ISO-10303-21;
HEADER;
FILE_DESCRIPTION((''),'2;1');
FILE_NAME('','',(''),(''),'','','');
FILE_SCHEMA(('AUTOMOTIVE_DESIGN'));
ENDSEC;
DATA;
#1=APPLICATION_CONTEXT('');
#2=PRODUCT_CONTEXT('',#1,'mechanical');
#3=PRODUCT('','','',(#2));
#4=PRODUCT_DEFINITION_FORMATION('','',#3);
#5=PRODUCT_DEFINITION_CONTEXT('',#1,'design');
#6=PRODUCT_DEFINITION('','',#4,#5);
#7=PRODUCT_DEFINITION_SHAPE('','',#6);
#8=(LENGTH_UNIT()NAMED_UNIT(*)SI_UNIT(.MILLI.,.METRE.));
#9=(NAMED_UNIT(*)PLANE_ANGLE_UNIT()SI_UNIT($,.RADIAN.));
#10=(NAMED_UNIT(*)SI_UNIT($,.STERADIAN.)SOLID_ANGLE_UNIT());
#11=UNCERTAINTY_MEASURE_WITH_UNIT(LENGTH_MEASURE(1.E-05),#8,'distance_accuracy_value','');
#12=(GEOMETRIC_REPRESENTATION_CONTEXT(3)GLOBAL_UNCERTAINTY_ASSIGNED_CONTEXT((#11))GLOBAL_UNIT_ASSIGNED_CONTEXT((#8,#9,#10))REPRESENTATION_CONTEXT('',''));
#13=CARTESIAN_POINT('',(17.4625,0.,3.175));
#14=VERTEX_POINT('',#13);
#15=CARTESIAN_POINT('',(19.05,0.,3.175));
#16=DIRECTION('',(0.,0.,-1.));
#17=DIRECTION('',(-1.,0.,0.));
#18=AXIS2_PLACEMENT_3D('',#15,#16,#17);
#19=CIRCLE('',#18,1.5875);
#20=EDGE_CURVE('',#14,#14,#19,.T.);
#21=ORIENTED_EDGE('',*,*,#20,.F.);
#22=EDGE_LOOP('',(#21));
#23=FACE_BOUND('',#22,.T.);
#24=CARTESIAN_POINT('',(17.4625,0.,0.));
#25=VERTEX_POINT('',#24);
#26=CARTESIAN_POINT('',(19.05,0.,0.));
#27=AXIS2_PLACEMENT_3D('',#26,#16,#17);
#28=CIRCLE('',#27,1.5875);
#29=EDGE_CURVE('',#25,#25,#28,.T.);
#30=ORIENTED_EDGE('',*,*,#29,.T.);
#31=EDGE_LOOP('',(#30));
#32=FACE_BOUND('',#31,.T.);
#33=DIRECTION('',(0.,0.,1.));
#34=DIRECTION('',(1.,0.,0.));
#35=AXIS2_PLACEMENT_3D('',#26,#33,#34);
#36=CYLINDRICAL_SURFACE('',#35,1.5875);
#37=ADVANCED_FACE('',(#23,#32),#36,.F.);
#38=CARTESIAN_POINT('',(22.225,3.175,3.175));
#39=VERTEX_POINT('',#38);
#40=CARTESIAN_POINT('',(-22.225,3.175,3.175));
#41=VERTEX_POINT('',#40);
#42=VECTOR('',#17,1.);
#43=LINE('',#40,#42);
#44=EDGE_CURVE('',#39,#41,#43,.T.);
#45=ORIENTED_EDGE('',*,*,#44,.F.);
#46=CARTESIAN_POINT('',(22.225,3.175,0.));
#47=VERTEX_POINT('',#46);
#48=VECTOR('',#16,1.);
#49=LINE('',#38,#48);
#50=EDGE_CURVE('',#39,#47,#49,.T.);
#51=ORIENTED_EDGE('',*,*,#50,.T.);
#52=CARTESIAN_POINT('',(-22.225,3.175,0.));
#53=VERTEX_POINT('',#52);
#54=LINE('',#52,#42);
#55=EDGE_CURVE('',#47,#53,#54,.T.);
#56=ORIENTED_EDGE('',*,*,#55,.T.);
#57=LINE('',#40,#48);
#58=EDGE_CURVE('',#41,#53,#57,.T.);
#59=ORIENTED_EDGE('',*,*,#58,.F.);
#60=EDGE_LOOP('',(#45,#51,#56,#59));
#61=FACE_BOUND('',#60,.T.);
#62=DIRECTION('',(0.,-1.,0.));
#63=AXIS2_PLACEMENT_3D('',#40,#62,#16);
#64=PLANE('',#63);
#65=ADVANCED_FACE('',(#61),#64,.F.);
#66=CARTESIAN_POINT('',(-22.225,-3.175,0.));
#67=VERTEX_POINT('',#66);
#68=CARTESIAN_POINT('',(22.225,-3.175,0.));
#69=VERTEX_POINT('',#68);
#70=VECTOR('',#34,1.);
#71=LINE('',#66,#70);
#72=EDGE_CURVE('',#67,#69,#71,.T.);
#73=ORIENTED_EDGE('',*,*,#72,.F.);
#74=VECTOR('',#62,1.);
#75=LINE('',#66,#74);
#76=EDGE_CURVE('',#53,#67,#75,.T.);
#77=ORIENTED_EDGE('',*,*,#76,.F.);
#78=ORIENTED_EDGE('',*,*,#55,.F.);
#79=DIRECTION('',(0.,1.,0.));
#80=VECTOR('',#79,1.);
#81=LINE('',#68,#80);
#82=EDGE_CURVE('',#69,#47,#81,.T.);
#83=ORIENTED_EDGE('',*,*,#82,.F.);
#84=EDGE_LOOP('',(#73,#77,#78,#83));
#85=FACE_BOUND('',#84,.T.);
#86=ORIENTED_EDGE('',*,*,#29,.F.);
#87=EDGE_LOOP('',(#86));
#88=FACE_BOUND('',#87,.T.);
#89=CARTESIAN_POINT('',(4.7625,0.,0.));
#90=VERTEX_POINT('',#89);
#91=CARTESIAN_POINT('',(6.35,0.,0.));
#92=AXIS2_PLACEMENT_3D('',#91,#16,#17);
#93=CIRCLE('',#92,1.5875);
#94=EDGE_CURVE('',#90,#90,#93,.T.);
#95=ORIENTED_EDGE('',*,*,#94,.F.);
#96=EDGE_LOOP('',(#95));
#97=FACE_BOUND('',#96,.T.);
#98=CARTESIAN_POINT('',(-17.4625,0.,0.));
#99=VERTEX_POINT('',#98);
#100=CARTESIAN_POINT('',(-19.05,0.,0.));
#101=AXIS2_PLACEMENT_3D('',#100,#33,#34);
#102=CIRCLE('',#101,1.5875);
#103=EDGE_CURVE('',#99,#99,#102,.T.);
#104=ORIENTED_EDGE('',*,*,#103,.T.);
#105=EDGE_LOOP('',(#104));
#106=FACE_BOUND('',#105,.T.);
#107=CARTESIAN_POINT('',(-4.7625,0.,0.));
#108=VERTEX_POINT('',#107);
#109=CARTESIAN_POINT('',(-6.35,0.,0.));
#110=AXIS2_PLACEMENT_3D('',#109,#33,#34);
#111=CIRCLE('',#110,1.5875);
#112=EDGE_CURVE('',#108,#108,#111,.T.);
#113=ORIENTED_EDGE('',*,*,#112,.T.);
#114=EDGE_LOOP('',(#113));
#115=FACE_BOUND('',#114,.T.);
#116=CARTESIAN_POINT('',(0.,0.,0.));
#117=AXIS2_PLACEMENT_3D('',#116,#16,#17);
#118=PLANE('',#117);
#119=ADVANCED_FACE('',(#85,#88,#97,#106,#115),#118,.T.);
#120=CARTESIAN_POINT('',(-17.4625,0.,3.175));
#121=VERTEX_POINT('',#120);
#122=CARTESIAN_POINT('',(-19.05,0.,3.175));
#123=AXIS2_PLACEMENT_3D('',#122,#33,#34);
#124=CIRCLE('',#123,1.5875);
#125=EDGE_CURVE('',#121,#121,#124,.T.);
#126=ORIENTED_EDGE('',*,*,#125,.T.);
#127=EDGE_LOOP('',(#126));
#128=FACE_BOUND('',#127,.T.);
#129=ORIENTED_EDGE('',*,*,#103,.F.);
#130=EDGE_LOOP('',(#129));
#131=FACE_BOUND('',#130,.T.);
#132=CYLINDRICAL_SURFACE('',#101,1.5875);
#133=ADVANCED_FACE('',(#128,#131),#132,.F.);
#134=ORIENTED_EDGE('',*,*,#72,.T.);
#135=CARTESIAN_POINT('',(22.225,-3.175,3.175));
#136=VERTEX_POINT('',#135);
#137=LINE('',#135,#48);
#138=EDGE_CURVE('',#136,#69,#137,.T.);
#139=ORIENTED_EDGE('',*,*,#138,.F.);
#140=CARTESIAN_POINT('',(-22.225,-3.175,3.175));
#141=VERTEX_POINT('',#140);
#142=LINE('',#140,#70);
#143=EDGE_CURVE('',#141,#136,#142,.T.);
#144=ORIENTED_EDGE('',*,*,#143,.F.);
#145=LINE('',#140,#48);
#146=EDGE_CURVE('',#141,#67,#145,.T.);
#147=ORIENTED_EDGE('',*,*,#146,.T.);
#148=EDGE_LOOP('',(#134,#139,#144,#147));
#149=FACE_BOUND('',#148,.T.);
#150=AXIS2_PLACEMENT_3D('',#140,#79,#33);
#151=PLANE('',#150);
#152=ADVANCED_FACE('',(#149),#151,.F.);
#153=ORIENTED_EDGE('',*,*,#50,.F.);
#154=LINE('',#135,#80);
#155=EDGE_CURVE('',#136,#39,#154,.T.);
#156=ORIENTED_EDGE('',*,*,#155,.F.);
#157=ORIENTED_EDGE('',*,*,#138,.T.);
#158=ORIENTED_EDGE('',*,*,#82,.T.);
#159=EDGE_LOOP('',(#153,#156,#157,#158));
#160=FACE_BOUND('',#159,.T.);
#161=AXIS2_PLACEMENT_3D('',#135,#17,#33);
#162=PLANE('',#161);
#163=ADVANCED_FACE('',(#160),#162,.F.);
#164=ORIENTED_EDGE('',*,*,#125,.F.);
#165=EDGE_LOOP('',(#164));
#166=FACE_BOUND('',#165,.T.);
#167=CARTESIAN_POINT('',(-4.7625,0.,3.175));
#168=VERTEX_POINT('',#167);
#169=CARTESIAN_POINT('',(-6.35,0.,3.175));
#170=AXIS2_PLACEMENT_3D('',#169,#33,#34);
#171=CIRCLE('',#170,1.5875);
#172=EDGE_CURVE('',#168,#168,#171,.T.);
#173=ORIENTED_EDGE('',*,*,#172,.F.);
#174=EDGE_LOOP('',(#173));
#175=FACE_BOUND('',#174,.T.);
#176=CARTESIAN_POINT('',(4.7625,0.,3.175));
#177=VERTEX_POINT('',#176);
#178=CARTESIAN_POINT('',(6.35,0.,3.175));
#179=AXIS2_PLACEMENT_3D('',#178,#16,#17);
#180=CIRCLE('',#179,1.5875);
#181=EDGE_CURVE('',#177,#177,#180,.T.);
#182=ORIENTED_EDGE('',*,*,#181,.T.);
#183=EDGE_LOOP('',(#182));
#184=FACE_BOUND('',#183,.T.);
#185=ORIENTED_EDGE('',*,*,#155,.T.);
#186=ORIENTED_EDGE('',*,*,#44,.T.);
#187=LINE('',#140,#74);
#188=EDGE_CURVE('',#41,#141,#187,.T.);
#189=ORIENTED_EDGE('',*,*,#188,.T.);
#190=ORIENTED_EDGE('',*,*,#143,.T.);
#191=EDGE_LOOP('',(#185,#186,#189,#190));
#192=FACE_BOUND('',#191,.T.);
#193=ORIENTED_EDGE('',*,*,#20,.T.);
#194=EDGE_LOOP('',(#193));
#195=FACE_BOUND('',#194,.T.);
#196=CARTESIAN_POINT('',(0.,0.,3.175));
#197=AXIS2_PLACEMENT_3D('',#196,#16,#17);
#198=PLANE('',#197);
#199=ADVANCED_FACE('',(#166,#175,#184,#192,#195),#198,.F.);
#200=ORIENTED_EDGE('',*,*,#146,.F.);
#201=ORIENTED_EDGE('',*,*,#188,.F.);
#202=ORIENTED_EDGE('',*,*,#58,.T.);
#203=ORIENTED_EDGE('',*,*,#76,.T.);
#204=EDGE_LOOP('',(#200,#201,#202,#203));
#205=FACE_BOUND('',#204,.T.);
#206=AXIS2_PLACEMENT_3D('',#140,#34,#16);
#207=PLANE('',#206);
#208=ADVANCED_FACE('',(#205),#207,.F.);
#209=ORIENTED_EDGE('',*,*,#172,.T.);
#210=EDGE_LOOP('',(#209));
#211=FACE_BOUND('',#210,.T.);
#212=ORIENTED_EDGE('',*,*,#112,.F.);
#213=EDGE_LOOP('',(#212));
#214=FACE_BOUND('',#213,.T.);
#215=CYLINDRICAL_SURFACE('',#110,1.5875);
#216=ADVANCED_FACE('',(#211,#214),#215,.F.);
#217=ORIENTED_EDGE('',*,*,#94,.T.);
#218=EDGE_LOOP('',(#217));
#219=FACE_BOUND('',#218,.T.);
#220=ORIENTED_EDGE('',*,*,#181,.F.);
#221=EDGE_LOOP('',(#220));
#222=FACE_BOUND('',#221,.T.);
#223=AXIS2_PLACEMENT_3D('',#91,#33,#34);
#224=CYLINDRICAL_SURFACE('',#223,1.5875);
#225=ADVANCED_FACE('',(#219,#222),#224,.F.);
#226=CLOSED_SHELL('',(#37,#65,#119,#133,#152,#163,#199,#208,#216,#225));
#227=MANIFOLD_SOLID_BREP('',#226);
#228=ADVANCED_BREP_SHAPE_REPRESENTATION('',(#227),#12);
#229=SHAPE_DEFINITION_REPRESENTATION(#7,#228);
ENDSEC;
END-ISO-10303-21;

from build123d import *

# Parameters (mm, degrees)
SKETCH2_W           = 44.45
SKETCH2_H           = 6.35
BOSS_EXTRUDE1_DEPTH = 3.175
SKETCH3_R           = 1.5875
CUT_EXTRUDE1_DEPTH  = 4.175


with BuildPart() as part:
    # Sketch2 → Boss-Extrude1 (new body)
    with BuildSketch(Plane.XY):
        Rectangle(SKETCH2_W, SKETCH2_H)
    extrude(amount=BOSS_EXTRUDE1_DEPTH)

    # Sketch3 → Cut-Extrude1 (cut, through all)
    with BuildSketch(Plane.XY.offset(3.175)):
        with Locations((-6.35, 0)):
            Circle(SKETCH3_R)
        with Locations((-19.05, 0)):
            Circle(SKETCH3_R)
    cut_extrude1 = extrude(amount=-CUT_EXTRUDE1_DEPTH, mode=Mode.SUBTRACT)

    # Mirror1: Cut-Extrude1 across plane
    add(cut_extrude1.mirror(Plane(origin=(0, 0, 0), x_dir=(0, 0, 1), z_dir=(1, 0, 0))), mode=Mode.SUBTRACT)


solid = part.part
